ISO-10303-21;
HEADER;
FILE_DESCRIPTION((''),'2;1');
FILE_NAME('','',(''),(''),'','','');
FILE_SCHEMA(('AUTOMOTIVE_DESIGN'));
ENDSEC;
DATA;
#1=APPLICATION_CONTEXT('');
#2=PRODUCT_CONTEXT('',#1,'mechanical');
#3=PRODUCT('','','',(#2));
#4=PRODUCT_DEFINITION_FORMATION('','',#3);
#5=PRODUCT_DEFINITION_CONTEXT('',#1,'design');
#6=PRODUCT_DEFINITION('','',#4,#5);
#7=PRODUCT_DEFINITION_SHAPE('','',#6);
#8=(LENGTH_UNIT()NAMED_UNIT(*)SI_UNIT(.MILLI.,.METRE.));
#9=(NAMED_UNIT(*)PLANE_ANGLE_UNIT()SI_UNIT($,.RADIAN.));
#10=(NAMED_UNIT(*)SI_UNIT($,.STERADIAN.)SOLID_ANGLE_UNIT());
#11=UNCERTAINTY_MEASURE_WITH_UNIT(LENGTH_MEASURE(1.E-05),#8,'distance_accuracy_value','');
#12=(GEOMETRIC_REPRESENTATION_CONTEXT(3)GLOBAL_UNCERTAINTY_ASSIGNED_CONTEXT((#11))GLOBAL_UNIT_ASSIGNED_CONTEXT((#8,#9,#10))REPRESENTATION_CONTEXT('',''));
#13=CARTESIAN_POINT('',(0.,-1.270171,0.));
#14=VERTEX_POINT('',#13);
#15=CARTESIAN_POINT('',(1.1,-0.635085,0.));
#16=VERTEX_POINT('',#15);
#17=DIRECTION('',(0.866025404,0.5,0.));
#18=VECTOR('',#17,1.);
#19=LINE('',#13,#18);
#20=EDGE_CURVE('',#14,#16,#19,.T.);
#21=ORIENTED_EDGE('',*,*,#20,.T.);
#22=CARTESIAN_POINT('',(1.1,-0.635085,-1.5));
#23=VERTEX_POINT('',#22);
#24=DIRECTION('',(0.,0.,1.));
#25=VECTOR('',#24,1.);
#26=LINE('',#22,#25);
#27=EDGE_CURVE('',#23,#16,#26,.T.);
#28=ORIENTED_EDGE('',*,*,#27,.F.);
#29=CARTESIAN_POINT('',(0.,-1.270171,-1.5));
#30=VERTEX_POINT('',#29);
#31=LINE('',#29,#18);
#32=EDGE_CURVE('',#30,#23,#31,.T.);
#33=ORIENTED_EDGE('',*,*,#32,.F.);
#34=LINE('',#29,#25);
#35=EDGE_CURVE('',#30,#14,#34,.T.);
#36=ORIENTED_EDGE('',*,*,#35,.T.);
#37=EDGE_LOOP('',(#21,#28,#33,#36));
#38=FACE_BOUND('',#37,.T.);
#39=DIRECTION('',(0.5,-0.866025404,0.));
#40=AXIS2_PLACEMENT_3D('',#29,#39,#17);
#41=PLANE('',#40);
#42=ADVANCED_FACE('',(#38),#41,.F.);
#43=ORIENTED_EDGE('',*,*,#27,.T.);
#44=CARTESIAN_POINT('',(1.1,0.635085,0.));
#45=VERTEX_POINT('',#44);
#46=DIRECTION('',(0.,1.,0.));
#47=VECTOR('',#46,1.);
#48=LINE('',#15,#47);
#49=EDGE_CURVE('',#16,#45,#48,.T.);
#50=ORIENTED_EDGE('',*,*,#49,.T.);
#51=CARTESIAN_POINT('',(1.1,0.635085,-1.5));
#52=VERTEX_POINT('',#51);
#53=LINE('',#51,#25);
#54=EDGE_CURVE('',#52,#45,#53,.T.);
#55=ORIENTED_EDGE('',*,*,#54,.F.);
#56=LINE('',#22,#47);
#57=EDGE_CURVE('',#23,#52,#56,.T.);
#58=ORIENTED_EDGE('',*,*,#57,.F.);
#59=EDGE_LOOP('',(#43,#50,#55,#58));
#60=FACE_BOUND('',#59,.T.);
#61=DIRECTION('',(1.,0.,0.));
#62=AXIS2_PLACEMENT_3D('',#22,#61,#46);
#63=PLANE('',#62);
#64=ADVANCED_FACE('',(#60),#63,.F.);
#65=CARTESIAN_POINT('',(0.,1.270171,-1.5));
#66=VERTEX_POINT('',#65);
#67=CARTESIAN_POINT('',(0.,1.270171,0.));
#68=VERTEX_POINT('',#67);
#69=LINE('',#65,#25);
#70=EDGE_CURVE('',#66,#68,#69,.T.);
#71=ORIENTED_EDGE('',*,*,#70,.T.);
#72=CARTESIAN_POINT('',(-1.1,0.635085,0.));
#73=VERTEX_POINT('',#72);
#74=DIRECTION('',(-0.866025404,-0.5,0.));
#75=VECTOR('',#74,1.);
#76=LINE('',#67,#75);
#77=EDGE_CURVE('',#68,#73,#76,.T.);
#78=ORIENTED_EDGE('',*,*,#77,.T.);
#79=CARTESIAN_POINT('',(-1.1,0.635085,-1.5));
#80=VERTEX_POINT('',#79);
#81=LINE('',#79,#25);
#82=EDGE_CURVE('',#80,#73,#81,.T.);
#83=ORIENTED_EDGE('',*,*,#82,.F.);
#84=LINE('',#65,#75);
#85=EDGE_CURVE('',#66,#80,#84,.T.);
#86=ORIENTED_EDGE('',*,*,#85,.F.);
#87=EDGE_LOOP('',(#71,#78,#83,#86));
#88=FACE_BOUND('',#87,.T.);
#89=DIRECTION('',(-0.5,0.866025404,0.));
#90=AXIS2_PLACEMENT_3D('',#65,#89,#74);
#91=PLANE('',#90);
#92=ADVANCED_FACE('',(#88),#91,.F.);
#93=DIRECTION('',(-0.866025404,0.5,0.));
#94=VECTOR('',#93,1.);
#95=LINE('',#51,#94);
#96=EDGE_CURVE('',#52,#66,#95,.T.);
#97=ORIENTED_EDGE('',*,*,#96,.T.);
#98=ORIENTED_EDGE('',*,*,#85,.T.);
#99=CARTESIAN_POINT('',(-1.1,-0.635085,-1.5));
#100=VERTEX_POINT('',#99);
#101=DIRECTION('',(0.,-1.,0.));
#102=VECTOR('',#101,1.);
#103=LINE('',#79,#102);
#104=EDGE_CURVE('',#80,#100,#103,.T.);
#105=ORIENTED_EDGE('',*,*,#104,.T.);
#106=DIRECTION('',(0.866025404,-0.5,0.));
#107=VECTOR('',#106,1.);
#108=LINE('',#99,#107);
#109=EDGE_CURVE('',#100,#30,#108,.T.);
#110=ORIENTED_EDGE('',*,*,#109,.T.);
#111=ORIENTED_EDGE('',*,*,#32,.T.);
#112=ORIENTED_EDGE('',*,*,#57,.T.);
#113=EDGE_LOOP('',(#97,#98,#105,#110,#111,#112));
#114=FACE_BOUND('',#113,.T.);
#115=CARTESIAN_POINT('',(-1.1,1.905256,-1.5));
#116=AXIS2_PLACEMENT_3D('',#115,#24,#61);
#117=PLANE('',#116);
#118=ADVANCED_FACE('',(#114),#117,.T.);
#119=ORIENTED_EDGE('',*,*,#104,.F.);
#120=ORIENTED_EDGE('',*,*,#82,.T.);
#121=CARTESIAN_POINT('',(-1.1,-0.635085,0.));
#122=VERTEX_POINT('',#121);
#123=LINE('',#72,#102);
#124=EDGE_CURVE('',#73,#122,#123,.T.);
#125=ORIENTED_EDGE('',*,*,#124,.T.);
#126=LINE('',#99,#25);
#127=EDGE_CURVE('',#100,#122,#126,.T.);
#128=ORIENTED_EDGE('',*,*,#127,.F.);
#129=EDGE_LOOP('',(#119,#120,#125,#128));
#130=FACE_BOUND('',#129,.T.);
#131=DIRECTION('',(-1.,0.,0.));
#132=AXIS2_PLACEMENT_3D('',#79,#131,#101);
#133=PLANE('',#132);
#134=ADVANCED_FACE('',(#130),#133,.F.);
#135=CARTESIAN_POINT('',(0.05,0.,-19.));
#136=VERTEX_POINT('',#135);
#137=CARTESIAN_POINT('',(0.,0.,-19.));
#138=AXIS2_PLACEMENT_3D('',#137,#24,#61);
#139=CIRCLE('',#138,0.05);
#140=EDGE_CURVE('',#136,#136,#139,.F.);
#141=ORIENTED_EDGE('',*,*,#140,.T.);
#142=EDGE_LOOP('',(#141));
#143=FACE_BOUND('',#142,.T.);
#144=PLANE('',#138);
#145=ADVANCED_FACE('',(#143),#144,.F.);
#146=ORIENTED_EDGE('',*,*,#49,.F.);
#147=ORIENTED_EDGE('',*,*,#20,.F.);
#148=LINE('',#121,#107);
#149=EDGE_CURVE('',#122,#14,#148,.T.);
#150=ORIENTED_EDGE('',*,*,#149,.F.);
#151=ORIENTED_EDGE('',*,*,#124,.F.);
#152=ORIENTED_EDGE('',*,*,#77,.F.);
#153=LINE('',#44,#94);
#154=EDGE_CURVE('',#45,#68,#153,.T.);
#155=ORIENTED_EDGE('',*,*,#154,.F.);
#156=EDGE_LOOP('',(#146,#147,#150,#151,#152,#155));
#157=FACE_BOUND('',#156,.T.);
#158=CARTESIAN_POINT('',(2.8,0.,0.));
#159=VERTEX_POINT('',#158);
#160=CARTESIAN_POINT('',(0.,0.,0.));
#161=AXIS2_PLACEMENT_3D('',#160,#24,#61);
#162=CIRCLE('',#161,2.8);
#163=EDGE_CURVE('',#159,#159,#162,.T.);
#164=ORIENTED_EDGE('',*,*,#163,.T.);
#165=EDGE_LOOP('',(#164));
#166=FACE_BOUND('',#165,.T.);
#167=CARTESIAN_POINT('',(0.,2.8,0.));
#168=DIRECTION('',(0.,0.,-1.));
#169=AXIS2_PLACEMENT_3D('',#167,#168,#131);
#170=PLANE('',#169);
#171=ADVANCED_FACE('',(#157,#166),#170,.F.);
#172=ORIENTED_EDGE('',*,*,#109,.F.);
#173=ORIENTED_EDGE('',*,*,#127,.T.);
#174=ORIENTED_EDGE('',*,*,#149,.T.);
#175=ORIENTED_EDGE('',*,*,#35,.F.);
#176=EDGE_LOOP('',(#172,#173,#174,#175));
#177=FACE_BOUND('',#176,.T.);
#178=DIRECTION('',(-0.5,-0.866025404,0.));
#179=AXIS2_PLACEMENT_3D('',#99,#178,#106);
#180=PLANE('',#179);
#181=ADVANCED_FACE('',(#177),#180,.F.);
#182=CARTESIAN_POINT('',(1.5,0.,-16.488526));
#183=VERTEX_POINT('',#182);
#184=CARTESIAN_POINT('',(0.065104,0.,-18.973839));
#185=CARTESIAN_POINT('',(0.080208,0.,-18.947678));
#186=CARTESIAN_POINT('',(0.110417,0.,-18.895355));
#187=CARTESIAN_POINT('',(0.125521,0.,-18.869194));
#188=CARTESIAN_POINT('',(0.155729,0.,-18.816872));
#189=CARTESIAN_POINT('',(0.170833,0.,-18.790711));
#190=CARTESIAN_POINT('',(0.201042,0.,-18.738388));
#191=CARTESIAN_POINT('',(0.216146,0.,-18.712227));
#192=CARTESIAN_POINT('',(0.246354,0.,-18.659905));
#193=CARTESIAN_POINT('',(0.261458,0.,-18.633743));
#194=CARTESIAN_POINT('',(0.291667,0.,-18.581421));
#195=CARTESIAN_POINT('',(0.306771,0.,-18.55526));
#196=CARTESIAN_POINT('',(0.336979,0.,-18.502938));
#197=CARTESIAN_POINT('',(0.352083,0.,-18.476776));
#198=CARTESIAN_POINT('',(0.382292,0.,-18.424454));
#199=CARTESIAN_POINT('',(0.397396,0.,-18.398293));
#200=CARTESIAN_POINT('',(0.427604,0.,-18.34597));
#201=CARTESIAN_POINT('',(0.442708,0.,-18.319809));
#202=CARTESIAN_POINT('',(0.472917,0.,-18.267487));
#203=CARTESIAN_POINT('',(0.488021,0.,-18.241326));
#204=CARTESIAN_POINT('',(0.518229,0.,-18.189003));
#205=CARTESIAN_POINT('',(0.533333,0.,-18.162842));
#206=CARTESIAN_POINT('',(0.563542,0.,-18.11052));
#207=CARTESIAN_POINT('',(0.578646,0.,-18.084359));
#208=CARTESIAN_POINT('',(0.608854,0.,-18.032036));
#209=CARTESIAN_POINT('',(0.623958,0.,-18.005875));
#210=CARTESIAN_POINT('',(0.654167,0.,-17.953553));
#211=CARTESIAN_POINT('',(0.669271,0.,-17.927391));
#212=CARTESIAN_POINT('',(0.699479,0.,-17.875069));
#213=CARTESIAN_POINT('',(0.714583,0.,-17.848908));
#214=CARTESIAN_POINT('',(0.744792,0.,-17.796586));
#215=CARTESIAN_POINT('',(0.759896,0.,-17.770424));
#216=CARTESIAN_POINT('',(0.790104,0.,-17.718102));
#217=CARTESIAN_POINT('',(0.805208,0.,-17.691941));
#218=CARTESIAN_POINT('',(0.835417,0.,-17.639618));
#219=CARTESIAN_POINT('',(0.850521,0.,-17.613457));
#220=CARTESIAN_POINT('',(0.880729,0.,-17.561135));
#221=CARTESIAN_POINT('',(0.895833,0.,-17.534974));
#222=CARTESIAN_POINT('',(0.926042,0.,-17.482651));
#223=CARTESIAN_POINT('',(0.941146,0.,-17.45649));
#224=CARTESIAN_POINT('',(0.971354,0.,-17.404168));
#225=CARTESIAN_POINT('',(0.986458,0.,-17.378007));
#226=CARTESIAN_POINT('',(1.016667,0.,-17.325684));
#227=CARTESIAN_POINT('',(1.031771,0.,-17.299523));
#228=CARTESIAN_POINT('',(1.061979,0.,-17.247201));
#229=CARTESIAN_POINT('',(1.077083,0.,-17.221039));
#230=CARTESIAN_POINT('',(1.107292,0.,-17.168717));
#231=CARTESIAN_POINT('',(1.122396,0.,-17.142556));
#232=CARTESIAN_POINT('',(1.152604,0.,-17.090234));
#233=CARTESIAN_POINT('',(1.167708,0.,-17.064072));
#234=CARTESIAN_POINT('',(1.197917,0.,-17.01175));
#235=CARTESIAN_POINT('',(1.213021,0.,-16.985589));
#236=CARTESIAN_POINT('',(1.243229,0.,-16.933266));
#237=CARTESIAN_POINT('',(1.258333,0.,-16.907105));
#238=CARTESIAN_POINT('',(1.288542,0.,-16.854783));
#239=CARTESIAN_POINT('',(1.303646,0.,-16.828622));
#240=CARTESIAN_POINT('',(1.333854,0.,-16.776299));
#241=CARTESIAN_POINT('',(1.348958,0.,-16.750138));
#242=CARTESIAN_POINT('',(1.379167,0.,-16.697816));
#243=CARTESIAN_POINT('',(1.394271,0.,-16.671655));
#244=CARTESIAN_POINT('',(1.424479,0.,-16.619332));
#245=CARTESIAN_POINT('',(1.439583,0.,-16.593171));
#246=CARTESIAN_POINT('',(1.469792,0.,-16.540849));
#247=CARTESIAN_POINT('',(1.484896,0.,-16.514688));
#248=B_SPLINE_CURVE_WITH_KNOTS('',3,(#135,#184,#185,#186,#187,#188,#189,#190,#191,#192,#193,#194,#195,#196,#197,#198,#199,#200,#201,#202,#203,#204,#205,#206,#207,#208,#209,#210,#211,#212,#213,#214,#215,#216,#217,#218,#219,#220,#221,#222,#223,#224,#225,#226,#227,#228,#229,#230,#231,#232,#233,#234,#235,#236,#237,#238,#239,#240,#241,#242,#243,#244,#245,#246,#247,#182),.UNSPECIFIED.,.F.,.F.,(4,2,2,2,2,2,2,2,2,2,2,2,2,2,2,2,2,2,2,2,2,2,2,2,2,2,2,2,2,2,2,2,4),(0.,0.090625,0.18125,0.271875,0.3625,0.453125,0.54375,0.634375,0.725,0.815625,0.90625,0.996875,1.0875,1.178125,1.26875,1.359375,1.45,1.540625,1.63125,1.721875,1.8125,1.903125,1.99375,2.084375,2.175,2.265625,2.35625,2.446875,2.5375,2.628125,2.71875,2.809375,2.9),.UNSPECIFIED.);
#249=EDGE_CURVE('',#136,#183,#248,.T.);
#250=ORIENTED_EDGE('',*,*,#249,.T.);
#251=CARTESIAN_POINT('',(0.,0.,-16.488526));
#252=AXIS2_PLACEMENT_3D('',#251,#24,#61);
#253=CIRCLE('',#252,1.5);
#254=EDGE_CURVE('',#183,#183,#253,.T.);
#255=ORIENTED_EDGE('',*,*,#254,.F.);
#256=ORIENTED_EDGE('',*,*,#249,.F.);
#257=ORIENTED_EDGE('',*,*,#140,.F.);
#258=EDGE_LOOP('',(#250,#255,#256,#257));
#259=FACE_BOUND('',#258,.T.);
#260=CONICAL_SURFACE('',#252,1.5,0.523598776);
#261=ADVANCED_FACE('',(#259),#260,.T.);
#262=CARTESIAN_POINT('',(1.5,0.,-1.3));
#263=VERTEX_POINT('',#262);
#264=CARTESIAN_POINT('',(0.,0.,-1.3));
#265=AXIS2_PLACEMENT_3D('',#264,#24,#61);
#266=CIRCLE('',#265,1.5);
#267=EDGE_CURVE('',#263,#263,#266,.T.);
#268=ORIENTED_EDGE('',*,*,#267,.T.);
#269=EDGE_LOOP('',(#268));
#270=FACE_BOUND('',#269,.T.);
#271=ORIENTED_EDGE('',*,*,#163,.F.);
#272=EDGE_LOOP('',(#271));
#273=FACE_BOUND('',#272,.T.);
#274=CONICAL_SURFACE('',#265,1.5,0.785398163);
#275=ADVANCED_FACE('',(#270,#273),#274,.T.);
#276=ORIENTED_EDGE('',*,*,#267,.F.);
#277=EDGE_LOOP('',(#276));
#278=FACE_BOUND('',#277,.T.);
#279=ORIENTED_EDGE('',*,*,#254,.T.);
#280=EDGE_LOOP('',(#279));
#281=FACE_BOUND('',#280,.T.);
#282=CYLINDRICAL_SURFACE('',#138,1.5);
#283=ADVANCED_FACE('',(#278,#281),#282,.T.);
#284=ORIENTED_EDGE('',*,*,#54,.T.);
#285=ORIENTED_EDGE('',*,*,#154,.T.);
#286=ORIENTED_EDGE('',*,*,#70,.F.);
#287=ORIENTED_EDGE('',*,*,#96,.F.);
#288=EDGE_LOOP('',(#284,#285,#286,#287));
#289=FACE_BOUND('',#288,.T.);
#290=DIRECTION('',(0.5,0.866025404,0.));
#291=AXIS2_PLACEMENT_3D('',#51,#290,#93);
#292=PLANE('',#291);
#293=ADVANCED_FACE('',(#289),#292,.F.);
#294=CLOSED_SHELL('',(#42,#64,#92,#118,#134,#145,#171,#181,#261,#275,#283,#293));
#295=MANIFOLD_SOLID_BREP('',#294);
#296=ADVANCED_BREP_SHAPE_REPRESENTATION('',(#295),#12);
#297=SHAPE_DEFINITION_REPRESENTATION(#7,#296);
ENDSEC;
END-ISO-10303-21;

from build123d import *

# Parameters (mm, degrees)
ESQUISSE3_R             = 1.5
EXTRUSION1_DEPTH        = 19
ENL_V_MAT_EXTRU_2_DEPTH = 1.5
CHANFREIN1_SIZE         = 1.45
CHANFREIN1_SIZE2        = 2.511473671


with BuildPart() as part:
    # Esquisse1 → Révolution2 (revolve)
    with BuildSketch(Plane(origin=(0, 0, 0), x_dir=(0, 0, -1), z_dir=(1, 0, 0)), mode=Mode.PRIVATE) as r_volution2_sk:
        Polygon((0, 2.8), (1.3, 1.5), (1.3, 0), (0, 0), align=None)
    revolve(r_volution2_sk.sketch.rotate(Axis((0, 0, 1.603508429), (0, 0, -1)), 90), axis=Axis((0, 0, 1.603508429), (0, 0, -1)))

    # Esquisse3 → Extrusion1 (add)
    with BuildSketch(Plane.XY):
        Circle(ESQUISSE3_R)
    extrude(amount=-EXTRUSION1_DEPTH)

    # Esquisse2 → Enlèv. mat.-Extru.2 (cut)
    with BuildSketch(Plane.XY):
        Polygon((0, 1.270170592), (-1.1, 0.635085296), (-1.1, -0.635085296), (0, -1.270170592), (1.1, -0.635085296), (1.1, 0.635085296), align=None)
    extrude(amount=-ENL_V_MAT_EXTRU_2_DEPTH, mode=Mode.SUBTRACT)

    # Chanfrein1
    chanfrein1_edges = [part.edges().sort_by_distance(p)[0] for p in [
        (-1.5, 0, -19),
    ]]
    chanfrein1_side = [part.faces().sort_by_distance(p)[0] for p in [
        (0, 0, -19),
    ]]
    chamfer(chanfrein1_edges, length=CHANFREIN1_SIZE, length2=CHANFREIN1_SIZE2, reference=chanfrein1_side[0])


solid = part.part
